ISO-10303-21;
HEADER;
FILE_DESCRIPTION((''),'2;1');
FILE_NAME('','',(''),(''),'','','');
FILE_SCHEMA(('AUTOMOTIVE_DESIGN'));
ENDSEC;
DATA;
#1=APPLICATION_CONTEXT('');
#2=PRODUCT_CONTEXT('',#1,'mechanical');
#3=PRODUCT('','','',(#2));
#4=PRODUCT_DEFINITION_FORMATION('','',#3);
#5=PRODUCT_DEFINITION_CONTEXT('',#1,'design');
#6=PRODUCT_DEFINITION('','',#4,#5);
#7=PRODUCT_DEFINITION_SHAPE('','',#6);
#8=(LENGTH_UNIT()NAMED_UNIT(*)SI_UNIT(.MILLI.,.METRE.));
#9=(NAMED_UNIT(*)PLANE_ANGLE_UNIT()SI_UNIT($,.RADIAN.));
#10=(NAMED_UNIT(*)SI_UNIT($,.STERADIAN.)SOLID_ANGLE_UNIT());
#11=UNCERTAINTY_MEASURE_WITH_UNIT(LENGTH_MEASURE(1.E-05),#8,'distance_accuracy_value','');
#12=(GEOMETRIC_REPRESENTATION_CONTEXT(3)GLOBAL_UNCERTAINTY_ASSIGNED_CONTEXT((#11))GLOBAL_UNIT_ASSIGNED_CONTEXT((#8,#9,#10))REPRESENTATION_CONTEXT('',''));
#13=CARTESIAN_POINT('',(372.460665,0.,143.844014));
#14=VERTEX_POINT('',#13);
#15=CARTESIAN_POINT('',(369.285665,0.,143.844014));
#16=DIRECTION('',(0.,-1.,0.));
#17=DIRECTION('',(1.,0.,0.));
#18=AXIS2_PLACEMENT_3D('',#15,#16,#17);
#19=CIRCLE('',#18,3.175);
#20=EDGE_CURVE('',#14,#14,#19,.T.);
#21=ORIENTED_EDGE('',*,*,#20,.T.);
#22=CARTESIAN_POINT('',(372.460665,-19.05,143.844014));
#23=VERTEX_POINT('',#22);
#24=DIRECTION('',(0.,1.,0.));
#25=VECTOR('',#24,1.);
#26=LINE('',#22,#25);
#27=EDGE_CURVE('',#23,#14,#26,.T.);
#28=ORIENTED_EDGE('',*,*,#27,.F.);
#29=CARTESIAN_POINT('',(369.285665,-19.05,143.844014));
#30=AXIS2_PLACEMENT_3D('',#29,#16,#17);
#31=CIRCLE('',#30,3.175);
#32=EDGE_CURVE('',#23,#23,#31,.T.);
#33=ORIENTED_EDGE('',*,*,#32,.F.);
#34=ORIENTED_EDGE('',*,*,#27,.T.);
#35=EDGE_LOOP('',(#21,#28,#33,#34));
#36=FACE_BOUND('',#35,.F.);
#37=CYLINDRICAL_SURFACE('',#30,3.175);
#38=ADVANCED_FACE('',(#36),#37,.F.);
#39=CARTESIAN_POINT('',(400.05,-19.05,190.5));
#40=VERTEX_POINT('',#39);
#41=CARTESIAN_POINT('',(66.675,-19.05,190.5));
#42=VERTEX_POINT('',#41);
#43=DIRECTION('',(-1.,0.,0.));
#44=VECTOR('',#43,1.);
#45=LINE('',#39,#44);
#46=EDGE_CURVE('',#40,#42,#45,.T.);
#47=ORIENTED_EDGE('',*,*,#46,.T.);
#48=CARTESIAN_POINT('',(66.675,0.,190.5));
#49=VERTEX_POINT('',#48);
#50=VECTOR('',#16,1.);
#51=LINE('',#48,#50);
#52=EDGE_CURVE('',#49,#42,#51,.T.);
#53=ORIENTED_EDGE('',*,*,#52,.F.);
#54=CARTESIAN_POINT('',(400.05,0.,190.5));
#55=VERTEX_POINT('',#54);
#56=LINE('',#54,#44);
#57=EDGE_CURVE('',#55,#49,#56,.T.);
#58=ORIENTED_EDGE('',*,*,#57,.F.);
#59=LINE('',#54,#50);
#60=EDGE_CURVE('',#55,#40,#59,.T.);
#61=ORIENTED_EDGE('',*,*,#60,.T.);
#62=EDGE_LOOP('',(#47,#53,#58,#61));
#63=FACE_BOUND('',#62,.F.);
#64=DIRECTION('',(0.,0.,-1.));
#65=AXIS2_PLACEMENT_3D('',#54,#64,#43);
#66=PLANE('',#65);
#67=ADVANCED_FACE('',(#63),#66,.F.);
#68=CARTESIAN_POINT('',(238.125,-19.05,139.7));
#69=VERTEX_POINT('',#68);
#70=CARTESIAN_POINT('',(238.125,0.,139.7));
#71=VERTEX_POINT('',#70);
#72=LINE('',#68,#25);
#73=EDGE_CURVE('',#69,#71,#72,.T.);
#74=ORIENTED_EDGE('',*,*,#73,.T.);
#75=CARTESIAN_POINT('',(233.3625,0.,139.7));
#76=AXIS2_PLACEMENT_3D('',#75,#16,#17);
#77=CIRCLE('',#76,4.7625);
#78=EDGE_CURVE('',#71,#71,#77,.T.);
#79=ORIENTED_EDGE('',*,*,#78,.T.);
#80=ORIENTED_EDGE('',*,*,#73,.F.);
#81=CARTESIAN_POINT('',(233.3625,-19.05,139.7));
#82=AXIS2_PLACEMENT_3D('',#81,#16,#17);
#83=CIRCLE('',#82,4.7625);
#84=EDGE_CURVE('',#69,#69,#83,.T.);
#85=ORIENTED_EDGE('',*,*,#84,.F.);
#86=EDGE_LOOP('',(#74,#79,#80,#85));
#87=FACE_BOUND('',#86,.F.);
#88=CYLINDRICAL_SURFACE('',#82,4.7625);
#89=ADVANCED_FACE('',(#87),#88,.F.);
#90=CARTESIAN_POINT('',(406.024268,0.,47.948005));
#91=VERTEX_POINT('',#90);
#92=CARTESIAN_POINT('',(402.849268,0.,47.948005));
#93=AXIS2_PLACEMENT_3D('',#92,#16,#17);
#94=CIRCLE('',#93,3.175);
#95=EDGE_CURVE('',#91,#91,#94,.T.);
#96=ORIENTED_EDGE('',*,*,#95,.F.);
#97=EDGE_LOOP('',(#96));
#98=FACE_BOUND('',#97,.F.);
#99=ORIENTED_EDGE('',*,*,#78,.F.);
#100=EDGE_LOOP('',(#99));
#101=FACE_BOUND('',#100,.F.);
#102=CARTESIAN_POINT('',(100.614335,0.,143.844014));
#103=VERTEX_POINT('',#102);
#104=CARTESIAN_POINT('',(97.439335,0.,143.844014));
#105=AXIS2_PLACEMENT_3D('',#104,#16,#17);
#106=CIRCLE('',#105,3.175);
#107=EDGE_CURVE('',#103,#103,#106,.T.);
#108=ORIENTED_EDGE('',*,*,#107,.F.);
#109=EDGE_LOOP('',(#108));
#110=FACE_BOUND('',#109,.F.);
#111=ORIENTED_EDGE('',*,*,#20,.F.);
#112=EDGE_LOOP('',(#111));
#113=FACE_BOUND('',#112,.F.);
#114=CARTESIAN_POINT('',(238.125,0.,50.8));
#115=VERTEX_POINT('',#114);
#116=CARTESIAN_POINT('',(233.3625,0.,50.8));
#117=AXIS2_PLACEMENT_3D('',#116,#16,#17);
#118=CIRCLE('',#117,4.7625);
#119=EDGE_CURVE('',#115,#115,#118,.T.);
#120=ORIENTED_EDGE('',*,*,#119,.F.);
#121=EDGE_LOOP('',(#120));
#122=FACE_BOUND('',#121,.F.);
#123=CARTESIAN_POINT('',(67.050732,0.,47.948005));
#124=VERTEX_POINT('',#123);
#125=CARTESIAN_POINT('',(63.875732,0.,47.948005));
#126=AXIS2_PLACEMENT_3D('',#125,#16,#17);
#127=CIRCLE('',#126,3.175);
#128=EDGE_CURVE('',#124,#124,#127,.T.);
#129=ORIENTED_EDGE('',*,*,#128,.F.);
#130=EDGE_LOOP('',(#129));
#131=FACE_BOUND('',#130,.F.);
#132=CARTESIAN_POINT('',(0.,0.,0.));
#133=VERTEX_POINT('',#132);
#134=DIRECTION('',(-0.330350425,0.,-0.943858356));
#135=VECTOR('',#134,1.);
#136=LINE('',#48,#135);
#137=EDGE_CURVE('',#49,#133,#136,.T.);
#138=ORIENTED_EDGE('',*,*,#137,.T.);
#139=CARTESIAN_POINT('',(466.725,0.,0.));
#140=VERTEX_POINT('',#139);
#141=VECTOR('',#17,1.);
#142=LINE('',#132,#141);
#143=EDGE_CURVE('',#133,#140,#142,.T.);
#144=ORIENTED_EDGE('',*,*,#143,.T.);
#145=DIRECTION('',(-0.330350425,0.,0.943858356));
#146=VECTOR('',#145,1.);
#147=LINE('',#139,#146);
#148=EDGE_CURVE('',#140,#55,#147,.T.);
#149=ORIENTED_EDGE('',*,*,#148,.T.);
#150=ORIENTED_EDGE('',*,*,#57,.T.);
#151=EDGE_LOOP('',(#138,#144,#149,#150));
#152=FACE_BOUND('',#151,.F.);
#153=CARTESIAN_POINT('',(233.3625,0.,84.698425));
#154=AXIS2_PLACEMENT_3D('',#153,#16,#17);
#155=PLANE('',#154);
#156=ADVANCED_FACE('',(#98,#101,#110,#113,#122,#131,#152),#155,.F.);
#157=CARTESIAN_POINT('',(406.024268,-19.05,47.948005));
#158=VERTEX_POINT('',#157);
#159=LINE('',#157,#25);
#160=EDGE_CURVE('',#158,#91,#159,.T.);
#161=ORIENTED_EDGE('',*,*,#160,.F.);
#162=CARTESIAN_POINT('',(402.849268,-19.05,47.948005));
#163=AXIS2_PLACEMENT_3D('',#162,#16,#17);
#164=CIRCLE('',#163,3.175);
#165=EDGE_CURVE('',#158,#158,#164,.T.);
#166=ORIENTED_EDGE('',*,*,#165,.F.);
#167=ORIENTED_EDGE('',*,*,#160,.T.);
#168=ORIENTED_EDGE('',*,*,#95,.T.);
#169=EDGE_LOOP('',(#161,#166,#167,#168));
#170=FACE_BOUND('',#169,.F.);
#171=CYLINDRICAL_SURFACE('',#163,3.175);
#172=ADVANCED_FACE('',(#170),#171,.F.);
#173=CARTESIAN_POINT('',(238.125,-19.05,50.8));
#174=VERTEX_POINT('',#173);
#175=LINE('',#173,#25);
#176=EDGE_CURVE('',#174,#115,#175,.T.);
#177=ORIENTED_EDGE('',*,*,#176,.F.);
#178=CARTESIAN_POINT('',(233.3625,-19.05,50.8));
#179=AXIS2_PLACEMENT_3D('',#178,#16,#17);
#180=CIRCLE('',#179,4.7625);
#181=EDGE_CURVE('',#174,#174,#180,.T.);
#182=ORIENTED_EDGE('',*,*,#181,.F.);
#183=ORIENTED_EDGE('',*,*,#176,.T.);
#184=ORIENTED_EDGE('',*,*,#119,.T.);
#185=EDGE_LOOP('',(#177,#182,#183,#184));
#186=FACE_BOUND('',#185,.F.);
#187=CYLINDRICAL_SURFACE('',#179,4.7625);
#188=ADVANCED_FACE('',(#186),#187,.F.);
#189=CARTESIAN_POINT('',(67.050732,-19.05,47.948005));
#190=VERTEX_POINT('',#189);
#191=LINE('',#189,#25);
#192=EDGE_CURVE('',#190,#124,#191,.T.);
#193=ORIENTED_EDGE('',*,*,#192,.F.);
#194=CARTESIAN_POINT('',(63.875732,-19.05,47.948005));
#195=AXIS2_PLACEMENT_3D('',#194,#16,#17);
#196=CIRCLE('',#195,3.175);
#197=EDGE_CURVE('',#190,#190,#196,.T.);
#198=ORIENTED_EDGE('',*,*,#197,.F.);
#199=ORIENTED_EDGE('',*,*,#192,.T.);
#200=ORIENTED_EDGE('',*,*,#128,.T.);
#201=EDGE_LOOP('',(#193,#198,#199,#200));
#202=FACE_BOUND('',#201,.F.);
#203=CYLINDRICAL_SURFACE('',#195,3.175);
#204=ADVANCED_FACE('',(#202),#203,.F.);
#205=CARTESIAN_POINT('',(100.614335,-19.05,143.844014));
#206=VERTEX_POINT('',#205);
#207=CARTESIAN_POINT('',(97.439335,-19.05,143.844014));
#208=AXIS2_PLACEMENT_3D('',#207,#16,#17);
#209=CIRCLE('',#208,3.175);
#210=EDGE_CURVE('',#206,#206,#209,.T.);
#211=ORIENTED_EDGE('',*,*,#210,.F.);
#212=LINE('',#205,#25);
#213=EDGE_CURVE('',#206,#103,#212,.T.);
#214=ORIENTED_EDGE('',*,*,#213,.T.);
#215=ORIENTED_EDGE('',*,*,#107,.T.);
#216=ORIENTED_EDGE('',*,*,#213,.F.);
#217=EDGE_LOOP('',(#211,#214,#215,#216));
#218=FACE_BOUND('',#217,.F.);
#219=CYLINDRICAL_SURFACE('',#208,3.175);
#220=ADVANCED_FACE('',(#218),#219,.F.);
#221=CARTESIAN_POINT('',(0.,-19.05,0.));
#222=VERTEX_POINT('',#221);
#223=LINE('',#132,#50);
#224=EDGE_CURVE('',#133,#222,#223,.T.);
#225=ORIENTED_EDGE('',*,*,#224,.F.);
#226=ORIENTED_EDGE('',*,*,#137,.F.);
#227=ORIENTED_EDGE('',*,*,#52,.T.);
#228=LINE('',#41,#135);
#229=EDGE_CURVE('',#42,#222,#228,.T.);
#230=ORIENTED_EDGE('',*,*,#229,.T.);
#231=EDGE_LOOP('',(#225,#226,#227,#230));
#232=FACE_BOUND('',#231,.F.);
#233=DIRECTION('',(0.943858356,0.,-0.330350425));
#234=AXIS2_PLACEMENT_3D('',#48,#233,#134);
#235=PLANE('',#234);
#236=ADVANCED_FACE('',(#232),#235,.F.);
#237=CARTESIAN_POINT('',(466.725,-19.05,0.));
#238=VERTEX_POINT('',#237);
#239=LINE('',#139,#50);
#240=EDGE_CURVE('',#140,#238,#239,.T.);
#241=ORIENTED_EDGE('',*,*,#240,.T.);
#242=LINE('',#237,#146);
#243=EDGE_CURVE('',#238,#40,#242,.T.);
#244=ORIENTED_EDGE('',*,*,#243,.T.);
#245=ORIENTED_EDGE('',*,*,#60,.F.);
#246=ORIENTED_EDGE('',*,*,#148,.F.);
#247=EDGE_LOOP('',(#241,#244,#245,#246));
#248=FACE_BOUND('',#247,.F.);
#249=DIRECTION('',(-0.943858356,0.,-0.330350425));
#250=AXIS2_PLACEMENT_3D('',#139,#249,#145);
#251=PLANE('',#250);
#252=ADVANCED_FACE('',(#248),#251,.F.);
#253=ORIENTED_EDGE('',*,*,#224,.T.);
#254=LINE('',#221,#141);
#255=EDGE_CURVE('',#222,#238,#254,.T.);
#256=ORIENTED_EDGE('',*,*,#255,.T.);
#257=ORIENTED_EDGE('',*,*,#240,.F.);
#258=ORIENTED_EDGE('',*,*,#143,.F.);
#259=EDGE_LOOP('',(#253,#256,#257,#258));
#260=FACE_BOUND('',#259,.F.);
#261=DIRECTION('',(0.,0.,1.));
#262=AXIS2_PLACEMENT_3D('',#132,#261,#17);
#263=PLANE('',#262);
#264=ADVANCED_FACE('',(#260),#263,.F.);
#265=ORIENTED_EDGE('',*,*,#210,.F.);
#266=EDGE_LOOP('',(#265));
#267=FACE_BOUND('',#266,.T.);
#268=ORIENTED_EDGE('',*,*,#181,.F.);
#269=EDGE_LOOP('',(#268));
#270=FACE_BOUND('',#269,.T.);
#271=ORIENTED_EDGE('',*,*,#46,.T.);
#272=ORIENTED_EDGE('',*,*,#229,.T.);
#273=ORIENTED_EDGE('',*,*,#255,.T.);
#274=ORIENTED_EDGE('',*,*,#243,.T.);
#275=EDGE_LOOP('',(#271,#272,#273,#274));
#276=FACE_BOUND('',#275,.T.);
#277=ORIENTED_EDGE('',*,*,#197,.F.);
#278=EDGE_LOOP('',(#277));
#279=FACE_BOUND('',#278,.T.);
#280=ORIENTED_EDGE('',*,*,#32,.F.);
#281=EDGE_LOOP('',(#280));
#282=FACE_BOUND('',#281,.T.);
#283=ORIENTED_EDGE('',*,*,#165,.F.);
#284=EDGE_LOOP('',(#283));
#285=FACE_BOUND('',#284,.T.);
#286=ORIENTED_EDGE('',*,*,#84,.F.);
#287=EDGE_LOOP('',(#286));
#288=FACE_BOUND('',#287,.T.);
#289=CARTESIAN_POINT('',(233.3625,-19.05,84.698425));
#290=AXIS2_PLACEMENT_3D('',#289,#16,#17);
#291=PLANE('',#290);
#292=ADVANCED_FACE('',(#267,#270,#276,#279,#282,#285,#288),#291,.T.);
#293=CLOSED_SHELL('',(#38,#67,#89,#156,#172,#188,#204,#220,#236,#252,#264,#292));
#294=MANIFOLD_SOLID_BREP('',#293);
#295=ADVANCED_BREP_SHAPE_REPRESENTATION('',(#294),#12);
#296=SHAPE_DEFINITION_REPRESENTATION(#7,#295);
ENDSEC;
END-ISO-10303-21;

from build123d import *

# Parameters (mm, degrees)
F1_DEPTH = 19.05
F2_R     = 3.175
F2_R_2   = 4.7625
F3_DEPTH = 25.4


with BuildPart() as f1:
    # F0 (on Front) → F1 (new body)
    with BuildSketch(Plane.XZ):
        Polygon((66.675, 190.5), (0, 0), (466.725, 0), (400.05, 190.5), align=None)
    extrude(amount=F1_DEPTH)

    # F2 (on face) → F3 (cut)
    with BuildSketch(Plane.XZ.offset(19.05)):
        with Locations((97.439335, 143.844014)):
            Circle(F2_R)
        with Locations((63.875732, 47.948005)):
            Circle(F2_R)
        with Locations((369.285665, 143.844014)):
            Circle(F2_R)
        with Locations((402.849268, 47.948005)):
            Circle(F2_R)
        with Locations((233.3625, 139.7)):
            Circle(F2_R_2)
        with Locations((233.3625, 50.8)):
            Circle(F2_R_2)
    extrude(amount=-F3_DEPTH, mode=Mode.SUBTRACT)


solid = f1.part
